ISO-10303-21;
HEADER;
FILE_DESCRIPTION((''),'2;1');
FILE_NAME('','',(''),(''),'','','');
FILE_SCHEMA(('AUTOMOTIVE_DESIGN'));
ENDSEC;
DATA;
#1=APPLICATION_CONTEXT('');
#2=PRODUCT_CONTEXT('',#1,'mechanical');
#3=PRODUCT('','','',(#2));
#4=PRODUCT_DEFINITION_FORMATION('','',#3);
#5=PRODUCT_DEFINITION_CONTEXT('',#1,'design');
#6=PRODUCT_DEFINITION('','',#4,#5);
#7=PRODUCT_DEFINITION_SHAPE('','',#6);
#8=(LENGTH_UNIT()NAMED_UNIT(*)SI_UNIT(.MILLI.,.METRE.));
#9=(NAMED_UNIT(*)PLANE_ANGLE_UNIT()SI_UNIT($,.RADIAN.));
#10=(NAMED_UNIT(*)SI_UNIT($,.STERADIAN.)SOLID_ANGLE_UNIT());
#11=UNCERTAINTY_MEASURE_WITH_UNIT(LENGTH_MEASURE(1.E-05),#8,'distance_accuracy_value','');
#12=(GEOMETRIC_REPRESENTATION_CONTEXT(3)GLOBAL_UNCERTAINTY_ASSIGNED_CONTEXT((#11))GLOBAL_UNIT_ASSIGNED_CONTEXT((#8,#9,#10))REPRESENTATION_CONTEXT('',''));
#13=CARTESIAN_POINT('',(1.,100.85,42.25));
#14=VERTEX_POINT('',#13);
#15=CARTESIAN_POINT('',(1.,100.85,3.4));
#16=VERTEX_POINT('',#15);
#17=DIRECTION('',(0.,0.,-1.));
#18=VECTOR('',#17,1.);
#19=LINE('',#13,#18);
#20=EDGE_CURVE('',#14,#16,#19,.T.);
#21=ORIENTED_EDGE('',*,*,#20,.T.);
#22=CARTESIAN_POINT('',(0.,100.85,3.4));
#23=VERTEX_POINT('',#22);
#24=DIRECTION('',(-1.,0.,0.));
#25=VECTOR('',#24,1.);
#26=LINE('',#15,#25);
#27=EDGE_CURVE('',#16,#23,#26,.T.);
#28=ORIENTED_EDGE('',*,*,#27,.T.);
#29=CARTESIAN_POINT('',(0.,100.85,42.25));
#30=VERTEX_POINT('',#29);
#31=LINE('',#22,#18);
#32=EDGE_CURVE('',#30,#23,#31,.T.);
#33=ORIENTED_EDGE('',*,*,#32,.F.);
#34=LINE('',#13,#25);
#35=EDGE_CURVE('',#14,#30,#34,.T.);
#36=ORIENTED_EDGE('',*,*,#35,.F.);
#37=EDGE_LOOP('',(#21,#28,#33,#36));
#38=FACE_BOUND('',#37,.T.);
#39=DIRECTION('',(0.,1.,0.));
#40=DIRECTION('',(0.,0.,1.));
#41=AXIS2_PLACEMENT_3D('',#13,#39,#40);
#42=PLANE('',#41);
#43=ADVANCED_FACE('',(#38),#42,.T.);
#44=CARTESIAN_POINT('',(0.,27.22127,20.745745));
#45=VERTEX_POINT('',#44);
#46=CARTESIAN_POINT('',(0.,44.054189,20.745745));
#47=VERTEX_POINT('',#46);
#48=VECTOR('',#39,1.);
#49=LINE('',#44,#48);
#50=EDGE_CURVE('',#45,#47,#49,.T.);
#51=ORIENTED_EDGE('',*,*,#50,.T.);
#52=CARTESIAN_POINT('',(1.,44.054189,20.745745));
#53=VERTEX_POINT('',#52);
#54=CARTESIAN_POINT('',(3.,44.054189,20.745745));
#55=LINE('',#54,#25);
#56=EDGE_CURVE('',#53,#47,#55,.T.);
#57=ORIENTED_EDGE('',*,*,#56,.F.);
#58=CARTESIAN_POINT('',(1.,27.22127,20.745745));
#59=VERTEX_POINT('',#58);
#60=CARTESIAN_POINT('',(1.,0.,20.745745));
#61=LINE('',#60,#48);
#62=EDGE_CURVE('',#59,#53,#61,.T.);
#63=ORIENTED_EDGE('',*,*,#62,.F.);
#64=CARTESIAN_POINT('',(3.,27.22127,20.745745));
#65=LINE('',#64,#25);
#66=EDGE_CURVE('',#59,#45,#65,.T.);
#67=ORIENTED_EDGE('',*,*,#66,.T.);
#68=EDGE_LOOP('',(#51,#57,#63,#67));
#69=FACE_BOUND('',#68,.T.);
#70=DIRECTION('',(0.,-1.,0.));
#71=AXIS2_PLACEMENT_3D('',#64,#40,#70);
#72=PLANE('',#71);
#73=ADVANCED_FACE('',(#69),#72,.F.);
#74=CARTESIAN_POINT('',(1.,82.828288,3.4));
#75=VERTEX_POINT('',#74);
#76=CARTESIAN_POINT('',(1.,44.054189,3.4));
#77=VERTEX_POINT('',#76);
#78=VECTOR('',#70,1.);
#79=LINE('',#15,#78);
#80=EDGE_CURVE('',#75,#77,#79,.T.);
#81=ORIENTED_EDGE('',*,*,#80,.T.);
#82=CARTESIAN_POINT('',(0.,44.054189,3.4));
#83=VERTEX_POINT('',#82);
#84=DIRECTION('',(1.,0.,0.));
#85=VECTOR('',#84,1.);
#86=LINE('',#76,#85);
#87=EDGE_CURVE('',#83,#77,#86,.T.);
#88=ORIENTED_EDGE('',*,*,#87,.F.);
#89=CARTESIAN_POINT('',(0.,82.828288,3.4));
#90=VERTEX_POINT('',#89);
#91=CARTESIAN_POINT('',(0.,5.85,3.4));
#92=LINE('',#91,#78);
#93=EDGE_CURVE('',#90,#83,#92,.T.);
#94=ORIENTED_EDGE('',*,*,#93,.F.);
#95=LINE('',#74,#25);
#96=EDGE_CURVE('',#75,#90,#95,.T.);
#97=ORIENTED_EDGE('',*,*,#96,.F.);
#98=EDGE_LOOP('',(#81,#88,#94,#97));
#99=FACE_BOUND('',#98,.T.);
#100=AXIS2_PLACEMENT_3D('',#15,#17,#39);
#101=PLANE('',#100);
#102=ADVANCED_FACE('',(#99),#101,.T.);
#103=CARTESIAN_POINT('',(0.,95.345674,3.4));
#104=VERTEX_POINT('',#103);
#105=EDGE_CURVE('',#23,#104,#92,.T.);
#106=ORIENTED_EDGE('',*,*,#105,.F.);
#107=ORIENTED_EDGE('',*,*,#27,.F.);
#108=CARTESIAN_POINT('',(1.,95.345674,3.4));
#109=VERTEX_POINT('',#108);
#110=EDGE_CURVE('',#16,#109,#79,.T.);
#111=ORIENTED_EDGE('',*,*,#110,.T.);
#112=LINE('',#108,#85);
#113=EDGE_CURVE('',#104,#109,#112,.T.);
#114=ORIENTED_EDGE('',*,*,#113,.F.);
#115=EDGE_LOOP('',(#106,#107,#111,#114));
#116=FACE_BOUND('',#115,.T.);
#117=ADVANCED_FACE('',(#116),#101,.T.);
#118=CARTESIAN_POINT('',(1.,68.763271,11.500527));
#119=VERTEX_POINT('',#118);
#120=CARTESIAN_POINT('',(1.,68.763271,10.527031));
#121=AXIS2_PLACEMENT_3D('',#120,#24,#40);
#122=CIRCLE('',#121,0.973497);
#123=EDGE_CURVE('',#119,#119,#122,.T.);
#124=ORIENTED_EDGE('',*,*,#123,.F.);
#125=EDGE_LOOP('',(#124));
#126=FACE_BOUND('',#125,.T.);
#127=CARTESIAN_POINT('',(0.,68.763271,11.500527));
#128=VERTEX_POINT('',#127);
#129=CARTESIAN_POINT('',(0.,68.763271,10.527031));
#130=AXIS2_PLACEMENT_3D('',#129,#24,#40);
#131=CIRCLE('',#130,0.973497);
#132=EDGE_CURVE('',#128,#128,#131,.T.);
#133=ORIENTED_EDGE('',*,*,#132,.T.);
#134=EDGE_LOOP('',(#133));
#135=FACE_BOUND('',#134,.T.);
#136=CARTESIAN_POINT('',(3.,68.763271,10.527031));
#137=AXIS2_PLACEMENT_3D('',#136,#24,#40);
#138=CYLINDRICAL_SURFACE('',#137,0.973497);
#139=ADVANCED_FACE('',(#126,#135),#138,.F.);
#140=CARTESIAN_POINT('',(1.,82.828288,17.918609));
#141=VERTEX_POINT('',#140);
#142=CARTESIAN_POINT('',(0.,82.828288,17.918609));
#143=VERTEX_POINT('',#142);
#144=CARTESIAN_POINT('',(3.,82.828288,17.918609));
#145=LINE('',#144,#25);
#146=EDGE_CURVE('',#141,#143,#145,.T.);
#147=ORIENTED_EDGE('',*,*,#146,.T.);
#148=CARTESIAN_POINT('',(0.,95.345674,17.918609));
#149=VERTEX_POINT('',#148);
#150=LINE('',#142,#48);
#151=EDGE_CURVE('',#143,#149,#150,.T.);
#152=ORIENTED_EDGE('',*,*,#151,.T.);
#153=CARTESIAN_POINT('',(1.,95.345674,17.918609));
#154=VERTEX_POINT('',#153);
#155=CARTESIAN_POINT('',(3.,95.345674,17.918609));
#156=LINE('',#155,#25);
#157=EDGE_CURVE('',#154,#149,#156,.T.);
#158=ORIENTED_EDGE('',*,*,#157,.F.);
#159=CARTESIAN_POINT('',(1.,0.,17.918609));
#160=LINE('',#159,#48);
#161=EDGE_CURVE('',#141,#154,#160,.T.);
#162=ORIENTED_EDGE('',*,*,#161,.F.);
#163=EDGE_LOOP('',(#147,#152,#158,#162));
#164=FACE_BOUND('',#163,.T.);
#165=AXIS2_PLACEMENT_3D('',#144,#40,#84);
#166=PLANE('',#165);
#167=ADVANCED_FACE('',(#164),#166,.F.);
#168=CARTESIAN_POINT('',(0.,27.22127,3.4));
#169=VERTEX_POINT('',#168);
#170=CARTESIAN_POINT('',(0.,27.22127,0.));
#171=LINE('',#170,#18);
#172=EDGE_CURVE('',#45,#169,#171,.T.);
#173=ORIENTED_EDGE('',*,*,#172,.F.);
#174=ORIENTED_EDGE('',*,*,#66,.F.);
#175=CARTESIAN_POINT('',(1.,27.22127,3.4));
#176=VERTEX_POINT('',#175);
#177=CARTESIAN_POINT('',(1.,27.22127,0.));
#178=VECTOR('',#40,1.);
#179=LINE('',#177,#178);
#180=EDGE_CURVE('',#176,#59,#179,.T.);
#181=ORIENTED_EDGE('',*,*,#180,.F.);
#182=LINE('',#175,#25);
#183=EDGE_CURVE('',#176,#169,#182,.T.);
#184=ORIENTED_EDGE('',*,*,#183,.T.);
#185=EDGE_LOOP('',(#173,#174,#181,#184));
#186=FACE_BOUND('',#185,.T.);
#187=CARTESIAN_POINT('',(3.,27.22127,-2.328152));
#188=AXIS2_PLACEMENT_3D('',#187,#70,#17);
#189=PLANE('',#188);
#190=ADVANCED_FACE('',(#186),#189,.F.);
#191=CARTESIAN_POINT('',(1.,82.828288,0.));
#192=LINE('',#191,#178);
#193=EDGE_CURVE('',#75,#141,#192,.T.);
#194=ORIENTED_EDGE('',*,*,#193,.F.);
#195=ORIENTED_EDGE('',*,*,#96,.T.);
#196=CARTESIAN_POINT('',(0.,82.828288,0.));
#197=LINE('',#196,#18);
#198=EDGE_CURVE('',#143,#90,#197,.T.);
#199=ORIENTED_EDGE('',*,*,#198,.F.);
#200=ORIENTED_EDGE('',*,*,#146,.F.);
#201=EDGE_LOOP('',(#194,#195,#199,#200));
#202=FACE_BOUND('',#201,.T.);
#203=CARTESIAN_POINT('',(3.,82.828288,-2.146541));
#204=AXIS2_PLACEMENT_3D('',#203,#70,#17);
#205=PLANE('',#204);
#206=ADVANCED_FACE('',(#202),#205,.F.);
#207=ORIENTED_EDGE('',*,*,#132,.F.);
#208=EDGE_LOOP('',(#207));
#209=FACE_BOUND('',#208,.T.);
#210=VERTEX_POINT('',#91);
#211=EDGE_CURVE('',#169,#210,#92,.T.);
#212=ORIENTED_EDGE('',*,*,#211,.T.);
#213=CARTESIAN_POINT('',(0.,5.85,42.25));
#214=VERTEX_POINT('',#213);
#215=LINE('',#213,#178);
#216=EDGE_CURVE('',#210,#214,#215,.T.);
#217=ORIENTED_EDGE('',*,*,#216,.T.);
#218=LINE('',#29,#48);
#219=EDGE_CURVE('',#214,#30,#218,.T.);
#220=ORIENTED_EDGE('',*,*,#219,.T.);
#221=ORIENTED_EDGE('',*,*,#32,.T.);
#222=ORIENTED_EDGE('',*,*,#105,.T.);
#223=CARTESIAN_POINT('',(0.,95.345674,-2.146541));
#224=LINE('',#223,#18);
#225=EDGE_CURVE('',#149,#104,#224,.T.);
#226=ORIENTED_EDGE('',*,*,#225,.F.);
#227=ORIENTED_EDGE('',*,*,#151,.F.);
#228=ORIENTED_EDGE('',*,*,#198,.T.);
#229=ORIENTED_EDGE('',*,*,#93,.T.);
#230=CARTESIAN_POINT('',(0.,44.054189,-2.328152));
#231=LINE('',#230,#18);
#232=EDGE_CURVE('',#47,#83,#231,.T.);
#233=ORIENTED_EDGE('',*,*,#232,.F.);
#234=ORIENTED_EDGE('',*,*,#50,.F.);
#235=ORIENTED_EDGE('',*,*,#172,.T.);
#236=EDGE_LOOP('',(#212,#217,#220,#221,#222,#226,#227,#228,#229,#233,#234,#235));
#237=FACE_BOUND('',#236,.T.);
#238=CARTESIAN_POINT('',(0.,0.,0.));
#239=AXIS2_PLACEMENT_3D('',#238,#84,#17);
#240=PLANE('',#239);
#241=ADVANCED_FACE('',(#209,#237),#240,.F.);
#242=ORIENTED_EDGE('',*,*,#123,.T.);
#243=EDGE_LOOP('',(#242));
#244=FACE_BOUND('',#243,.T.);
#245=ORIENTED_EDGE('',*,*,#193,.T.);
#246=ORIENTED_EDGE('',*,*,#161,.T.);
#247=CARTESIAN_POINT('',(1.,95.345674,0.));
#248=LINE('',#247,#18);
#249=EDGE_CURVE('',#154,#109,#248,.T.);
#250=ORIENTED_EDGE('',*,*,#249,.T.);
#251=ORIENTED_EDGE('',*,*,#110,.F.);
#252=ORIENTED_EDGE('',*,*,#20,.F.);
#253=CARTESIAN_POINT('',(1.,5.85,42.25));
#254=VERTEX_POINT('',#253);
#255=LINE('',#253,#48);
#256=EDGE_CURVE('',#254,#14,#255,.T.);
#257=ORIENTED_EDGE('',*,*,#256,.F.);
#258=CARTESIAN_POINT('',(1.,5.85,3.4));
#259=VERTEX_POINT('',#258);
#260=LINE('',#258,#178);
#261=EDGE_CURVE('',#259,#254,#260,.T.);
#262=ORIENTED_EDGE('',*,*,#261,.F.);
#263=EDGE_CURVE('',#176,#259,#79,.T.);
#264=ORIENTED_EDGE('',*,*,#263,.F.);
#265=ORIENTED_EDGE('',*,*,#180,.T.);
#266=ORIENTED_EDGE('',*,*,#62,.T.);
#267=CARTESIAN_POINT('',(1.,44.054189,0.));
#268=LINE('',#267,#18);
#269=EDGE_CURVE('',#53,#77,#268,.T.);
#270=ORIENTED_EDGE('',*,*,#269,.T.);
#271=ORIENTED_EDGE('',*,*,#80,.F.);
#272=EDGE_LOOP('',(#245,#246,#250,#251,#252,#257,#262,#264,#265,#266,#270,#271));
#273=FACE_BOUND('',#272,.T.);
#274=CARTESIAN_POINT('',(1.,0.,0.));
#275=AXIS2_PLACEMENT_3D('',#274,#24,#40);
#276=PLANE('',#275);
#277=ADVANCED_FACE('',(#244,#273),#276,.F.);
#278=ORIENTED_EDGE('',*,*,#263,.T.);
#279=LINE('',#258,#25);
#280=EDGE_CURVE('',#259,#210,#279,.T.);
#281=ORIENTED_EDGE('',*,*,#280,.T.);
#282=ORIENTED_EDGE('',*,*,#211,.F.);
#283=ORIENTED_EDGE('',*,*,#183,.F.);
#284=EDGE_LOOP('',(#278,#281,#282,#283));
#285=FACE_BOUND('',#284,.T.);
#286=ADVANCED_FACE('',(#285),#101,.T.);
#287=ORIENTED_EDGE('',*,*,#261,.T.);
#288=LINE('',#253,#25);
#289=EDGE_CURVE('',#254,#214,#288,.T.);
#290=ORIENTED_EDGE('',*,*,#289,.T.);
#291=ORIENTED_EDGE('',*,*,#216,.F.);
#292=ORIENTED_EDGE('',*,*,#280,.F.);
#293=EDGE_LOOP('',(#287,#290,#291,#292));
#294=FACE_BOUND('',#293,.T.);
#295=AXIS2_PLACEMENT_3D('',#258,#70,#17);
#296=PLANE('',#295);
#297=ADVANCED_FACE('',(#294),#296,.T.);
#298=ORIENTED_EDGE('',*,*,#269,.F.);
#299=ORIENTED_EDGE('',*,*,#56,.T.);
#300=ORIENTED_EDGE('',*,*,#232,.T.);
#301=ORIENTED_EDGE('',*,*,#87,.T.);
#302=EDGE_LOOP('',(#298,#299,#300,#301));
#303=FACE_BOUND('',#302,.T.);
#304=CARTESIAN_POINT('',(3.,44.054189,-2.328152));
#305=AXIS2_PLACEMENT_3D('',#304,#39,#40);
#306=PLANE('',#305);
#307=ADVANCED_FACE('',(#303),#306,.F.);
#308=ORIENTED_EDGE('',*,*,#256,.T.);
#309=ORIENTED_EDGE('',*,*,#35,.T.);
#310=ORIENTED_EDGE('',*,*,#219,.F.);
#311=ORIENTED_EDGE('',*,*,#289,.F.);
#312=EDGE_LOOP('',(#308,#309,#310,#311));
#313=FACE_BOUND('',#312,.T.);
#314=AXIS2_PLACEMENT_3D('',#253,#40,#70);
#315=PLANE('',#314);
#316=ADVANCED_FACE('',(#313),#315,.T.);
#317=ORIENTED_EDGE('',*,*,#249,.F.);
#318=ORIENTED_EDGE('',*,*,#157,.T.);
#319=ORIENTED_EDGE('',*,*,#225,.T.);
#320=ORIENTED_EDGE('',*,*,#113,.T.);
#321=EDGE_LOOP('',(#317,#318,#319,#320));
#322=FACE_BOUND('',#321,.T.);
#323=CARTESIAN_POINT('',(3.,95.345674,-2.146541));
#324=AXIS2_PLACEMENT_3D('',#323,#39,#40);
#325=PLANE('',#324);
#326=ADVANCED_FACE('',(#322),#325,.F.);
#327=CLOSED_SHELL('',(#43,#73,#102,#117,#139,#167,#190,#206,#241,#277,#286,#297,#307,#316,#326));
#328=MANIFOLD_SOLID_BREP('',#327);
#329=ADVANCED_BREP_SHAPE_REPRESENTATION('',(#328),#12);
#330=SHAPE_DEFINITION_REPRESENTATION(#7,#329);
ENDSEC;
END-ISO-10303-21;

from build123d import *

# Parameters (mm, degrees)
SKETCH_1_W          = 95
SKETCH_1_H          = 38.85
EXTRUDE_1_DEPTH     = 0.5
SKETCH_2_W          = 38.85
SKETCH_2_H          = 95
EXTRUDE_2_DEPTH     = 0.5
SKETCH_3_W          = 20.065150591
SKETCH_3_H          = 12.517385588
CUT_EXTRUDE_1_DEPTH = 3
SKETCH_4_W          = 23.07389694
SKETCH_4_H          = 16.832919213
CUT_EXTRUDE_2_DEPTH = 3
SKETCH_5_R          = 0.973496531
CUT_EXTRUDE_3_DEPTH = 3


with BuildPart() as part:
    # Эскиз1 → Бобышка-Вытянуть1 (new body)
    with BuildSketch(Plane(origin=(0.5, 0, 0), x_dir=(0, -1, 0), z_dir=(-1, 0, 0))):
        with Locations((-53.35, 22.825)):
            Rectangle(SKETCH_1_W, SKETCH_1_H)
    extrude(amount=-EXTRUDE_1_DEPTH)

    # Эскиз2 → Бобышка-Вытянуть2 (add)
    with BuildSketch(Plane.ZY.offset(-0.5)):
        with Locations((22.825, 53.35)):
            Rectangle(SKETCH_2_W, SKETCH_2_H)
    extrude(amount=EXTRUDE_2_DEPTH)

    # Эскиз3 → Вырез-Вытянуть1 (cut)
    with BuildSketch(Plane.ZY):
        with Locations((7.88603419, 89.086980773)):
            Rectangle(SKETCH_3_W, SKETCH_3_H)
    extrude(amount=-CUT_EXTRUDE_1_DEPTH, mode=Mode.SUBTRACT)

    # Эскиз4 → Вырез-Вытянуть2 (cut)
    with BuildSketch(Plane.ZY):
        with Locations((9.208796156, 35.637729194)):
            Rectangle(SKETCH_4_W, SKETCH_4_H)
    extrude(amount=-CUT_EXTRUDE_2_DEPTH, mode=Mode.SUBTRACT)

    # Эскиз5 → Вырез-Вытянуть3 (cut)
    with BuildSketch(Plane.ZY):
        with Locations((10.527030872, 68.763270983)):
            Circle(SKETCH_5_R)
    extrude(amount=-CUT_EXTRUDE_3_DEPTH, mode=Mode.SUBTRACT)


solid = part.part
